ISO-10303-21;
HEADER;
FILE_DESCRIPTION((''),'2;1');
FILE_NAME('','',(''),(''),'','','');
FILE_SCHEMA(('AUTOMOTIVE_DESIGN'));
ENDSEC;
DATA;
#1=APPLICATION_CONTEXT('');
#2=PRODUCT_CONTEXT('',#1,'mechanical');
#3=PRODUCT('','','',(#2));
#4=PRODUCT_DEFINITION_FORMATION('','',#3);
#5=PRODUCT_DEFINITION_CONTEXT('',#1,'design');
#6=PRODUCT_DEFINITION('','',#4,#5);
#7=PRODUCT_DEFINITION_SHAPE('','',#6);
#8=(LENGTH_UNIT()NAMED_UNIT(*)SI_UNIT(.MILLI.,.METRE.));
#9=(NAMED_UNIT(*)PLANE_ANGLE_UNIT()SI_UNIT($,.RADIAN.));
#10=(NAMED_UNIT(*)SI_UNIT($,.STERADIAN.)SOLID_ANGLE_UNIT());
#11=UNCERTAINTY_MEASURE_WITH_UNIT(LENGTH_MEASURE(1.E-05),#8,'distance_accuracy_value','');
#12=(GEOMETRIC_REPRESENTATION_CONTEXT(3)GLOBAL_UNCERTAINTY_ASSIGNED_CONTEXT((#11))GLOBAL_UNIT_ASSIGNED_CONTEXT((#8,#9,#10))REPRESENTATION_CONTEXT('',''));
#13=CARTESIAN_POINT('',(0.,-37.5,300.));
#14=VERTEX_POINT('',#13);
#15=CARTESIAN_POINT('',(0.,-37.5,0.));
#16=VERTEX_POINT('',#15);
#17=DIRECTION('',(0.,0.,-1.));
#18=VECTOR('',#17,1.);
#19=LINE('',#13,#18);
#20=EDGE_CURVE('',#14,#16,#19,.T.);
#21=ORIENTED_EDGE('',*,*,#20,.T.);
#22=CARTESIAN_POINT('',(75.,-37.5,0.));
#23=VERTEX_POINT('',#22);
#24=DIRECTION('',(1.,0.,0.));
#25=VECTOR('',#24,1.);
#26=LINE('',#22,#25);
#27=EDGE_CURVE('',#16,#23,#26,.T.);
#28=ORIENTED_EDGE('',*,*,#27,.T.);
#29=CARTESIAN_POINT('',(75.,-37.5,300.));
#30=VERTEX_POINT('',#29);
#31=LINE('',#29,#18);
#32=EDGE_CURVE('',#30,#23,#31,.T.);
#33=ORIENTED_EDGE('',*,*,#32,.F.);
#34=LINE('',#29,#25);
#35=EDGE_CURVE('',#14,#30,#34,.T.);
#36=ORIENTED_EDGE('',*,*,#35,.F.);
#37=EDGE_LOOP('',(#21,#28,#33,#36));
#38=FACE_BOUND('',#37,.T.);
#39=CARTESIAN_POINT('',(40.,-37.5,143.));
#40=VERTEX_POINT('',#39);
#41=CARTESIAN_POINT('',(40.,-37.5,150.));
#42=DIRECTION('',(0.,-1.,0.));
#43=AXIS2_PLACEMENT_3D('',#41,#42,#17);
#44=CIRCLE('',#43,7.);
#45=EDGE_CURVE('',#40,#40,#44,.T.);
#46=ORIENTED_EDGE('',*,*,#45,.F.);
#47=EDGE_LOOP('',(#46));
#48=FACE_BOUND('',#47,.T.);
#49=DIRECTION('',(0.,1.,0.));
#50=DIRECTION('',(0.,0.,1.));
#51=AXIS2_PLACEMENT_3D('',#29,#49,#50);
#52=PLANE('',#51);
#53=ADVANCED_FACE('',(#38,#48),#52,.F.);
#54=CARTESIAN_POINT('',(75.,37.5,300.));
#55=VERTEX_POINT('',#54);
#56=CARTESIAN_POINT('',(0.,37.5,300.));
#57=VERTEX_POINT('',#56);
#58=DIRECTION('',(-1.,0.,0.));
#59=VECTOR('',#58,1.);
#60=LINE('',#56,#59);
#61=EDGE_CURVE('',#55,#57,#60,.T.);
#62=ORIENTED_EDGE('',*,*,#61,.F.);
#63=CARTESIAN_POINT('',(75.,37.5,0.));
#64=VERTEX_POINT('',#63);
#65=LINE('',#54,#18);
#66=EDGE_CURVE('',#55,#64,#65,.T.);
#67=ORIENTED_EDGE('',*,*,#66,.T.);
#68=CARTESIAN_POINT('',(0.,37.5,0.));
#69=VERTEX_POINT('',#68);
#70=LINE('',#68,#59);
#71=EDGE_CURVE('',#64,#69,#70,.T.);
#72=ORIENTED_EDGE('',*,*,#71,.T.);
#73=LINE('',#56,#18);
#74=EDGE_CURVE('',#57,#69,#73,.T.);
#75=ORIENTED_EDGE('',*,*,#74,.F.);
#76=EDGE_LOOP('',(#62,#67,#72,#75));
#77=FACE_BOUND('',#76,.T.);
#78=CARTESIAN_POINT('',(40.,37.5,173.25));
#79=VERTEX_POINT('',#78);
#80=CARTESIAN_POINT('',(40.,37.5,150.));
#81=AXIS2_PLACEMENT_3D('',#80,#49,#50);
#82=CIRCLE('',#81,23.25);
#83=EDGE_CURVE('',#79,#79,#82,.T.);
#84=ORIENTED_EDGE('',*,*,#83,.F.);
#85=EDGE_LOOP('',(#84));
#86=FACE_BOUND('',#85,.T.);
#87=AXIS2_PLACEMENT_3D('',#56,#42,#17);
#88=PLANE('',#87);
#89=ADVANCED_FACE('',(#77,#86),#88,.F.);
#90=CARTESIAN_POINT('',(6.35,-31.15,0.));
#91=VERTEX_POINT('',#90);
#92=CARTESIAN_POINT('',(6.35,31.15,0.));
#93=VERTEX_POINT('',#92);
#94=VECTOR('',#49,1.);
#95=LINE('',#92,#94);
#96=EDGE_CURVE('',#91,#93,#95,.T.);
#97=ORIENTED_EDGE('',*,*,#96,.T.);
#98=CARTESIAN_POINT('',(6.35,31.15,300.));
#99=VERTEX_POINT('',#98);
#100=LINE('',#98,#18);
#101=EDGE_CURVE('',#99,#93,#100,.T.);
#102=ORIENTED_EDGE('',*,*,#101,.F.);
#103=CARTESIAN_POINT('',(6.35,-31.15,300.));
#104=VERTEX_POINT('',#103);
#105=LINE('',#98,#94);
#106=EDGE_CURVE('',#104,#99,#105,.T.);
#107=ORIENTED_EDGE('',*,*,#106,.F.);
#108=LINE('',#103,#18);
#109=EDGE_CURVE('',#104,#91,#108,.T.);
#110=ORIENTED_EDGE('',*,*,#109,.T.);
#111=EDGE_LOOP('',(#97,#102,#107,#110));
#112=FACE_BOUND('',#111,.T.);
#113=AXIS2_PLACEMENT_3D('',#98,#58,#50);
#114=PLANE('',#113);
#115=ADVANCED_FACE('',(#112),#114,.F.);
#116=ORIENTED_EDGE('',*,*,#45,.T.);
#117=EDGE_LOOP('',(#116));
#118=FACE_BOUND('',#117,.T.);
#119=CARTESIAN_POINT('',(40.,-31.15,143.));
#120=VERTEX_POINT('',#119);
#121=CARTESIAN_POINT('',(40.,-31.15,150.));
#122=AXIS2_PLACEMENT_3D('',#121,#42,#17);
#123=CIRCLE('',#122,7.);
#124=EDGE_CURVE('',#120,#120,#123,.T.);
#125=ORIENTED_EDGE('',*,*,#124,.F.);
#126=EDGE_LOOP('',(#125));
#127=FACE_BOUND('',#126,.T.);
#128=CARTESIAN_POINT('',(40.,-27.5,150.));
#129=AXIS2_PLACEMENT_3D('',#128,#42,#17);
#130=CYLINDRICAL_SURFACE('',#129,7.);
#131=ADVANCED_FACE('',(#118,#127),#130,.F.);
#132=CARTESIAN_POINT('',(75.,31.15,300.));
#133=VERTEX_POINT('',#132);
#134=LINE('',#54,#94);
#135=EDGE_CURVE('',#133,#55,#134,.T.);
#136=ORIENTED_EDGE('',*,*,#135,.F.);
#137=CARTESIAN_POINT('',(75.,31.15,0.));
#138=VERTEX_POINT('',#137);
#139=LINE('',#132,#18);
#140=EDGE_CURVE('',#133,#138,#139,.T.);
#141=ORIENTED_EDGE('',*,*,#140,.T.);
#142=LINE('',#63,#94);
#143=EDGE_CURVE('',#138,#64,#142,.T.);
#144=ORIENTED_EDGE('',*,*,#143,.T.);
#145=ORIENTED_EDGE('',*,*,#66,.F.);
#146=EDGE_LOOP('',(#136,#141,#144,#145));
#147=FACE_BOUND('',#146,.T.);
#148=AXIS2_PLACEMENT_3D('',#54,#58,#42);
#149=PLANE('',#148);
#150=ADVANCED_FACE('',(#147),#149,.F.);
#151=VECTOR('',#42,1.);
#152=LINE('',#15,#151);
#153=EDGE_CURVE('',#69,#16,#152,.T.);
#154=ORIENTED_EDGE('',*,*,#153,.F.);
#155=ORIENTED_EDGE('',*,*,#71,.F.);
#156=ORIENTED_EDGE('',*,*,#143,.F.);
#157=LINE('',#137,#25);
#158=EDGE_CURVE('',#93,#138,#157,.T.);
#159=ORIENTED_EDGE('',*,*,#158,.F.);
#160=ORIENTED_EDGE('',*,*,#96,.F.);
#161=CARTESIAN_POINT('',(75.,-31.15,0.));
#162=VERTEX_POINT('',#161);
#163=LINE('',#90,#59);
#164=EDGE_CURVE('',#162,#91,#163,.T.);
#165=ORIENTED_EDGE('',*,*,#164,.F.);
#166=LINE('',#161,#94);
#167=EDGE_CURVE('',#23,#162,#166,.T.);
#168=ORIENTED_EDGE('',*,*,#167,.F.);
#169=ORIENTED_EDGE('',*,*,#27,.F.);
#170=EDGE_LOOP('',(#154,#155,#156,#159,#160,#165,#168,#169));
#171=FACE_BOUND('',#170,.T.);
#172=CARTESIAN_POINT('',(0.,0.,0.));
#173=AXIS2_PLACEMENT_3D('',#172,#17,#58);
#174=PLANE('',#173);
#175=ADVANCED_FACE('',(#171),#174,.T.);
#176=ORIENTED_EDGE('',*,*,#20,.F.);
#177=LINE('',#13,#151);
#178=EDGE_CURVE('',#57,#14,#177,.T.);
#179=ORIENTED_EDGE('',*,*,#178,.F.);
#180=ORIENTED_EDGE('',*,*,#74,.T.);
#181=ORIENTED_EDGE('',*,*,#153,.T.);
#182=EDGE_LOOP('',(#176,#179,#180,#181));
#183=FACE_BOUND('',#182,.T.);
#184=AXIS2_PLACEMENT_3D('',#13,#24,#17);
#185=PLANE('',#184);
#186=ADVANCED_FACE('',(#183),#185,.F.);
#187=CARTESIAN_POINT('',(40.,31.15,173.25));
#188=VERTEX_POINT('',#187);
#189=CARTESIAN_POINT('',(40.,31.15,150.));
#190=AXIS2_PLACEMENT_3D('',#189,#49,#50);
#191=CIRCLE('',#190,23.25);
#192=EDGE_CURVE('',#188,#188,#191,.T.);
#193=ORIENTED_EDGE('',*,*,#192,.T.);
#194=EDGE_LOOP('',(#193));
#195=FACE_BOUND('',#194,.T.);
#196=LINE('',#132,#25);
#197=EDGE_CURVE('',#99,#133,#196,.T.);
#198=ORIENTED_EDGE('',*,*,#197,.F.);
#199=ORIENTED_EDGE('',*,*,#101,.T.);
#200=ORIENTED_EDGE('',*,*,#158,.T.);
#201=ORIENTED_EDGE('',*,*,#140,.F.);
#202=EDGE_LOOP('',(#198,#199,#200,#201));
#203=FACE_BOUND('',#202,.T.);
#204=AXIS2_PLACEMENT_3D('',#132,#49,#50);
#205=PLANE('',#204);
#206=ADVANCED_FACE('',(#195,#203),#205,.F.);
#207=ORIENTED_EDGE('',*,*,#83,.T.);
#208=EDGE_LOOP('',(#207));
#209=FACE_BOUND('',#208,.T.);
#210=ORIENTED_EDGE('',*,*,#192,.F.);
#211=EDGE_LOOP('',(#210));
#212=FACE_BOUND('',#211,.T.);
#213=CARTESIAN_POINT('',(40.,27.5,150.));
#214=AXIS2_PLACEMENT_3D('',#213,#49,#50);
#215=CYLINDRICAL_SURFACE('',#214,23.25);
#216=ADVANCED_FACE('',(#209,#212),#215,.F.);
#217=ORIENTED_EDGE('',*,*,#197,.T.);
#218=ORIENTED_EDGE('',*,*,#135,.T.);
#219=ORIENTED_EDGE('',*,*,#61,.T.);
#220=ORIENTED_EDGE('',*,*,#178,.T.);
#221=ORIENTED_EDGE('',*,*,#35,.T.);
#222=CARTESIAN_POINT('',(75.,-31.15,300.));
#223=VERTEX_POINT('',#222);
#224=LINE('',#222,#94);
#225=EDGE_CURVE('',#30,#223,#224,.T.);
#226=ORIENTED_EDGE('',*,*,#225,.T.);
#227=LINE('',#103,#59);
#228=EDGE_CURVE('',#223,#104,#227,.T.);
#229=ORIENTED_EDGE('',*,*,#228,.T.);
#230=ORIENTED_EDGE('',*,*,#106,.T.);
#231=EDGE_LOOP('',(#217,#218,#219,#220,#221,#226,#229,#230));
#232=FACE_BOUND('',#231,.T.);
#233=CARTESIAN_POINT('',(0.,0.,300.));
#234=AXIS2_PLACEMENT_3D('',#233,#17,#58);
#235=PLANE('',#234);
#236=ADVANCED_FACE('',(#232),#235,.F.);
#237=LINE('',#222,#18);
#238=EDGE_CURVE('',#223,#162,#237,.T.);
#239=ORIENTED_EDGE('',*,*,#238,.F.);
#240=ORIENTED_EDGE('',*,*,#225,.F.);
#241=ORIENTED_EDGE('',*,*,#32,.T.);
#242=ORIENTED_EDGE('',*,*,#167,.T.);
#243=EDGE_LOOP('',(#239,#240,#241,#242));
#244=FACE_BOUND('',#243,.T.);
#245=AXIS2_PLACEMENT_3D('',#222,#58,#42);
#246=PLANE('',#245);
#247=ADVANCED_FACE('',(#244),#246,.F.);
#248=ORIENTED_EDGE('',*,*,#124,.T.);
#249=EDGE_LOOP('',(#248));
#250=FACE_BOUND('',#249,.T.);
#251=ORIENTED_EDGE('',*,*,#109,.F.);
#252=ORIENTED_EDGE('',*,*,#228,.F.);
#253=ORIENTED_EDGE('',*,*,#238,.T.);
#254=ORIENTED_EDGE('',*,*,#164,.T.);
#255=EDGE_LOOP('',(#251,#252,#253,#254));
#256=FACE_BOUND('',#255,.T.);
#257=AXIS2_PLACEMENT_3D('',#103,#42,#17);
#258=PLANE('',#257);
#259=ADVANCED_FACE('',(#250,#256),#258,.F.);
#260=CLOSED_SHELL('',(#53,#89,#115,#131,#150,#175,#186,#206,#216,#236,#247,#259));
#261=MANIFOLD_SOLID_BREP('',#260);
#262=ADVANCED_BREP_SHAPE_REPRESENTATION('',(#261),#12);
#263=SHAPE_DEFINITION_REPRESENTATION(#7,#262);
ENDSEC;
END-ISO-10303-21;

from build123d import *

# Parameters (mm, degrees)
BOSS_EXTRUDE1_DEPTH = 300
SKETCH2_R           = 23.25
CUT_EXTRUDE1_DEPTH  = 10
SKETCH3_R           = 7
CUT_EXTRUDE2_DEPTH  = 10


with BuildPart() as part:
    # Sketch1 → Boss-Extrude1 (new body)
    with BuildSketch(Plane.XY):
        Polygon((0, -37.5), (0, 37.5), (75, 37.5), (75, 31.15), (6.35, 31.15), (6.35, -31.15), (75, -31.15), (75, -37.5), align=None)
    extrude(amount=BOSS_EXTRUDE1_DEPTH)

    # Sketch2 → Cut-Extrude1 (cut)
    with BuildSketch(Plane(origin=(0, 37.5, 0), x_dir=(1, 0, 0), z_dir=(0, 1, 0))):
        with Locations(Location((40, -150, 0), (0, 0, 270))):
            Circle(SKETCH2_R)
    extrude(amount=-CUT_EXTRUDE1_DEPTH, mode=Mode.SUBTRACT)

    # Sketch3 → Cut-Extrude2 (cut)
    with BuildSketch(Plane.XZ.offset(37.5)):
        with Locations(Location((40, 150, 0), (0, 0, 270))):
            Circle(SKETCH3_R)
    extrude(amount=-CUT_EXTRUDE2_DEPTH, mode=Mode.SUBTRACT)


solid = part.part
